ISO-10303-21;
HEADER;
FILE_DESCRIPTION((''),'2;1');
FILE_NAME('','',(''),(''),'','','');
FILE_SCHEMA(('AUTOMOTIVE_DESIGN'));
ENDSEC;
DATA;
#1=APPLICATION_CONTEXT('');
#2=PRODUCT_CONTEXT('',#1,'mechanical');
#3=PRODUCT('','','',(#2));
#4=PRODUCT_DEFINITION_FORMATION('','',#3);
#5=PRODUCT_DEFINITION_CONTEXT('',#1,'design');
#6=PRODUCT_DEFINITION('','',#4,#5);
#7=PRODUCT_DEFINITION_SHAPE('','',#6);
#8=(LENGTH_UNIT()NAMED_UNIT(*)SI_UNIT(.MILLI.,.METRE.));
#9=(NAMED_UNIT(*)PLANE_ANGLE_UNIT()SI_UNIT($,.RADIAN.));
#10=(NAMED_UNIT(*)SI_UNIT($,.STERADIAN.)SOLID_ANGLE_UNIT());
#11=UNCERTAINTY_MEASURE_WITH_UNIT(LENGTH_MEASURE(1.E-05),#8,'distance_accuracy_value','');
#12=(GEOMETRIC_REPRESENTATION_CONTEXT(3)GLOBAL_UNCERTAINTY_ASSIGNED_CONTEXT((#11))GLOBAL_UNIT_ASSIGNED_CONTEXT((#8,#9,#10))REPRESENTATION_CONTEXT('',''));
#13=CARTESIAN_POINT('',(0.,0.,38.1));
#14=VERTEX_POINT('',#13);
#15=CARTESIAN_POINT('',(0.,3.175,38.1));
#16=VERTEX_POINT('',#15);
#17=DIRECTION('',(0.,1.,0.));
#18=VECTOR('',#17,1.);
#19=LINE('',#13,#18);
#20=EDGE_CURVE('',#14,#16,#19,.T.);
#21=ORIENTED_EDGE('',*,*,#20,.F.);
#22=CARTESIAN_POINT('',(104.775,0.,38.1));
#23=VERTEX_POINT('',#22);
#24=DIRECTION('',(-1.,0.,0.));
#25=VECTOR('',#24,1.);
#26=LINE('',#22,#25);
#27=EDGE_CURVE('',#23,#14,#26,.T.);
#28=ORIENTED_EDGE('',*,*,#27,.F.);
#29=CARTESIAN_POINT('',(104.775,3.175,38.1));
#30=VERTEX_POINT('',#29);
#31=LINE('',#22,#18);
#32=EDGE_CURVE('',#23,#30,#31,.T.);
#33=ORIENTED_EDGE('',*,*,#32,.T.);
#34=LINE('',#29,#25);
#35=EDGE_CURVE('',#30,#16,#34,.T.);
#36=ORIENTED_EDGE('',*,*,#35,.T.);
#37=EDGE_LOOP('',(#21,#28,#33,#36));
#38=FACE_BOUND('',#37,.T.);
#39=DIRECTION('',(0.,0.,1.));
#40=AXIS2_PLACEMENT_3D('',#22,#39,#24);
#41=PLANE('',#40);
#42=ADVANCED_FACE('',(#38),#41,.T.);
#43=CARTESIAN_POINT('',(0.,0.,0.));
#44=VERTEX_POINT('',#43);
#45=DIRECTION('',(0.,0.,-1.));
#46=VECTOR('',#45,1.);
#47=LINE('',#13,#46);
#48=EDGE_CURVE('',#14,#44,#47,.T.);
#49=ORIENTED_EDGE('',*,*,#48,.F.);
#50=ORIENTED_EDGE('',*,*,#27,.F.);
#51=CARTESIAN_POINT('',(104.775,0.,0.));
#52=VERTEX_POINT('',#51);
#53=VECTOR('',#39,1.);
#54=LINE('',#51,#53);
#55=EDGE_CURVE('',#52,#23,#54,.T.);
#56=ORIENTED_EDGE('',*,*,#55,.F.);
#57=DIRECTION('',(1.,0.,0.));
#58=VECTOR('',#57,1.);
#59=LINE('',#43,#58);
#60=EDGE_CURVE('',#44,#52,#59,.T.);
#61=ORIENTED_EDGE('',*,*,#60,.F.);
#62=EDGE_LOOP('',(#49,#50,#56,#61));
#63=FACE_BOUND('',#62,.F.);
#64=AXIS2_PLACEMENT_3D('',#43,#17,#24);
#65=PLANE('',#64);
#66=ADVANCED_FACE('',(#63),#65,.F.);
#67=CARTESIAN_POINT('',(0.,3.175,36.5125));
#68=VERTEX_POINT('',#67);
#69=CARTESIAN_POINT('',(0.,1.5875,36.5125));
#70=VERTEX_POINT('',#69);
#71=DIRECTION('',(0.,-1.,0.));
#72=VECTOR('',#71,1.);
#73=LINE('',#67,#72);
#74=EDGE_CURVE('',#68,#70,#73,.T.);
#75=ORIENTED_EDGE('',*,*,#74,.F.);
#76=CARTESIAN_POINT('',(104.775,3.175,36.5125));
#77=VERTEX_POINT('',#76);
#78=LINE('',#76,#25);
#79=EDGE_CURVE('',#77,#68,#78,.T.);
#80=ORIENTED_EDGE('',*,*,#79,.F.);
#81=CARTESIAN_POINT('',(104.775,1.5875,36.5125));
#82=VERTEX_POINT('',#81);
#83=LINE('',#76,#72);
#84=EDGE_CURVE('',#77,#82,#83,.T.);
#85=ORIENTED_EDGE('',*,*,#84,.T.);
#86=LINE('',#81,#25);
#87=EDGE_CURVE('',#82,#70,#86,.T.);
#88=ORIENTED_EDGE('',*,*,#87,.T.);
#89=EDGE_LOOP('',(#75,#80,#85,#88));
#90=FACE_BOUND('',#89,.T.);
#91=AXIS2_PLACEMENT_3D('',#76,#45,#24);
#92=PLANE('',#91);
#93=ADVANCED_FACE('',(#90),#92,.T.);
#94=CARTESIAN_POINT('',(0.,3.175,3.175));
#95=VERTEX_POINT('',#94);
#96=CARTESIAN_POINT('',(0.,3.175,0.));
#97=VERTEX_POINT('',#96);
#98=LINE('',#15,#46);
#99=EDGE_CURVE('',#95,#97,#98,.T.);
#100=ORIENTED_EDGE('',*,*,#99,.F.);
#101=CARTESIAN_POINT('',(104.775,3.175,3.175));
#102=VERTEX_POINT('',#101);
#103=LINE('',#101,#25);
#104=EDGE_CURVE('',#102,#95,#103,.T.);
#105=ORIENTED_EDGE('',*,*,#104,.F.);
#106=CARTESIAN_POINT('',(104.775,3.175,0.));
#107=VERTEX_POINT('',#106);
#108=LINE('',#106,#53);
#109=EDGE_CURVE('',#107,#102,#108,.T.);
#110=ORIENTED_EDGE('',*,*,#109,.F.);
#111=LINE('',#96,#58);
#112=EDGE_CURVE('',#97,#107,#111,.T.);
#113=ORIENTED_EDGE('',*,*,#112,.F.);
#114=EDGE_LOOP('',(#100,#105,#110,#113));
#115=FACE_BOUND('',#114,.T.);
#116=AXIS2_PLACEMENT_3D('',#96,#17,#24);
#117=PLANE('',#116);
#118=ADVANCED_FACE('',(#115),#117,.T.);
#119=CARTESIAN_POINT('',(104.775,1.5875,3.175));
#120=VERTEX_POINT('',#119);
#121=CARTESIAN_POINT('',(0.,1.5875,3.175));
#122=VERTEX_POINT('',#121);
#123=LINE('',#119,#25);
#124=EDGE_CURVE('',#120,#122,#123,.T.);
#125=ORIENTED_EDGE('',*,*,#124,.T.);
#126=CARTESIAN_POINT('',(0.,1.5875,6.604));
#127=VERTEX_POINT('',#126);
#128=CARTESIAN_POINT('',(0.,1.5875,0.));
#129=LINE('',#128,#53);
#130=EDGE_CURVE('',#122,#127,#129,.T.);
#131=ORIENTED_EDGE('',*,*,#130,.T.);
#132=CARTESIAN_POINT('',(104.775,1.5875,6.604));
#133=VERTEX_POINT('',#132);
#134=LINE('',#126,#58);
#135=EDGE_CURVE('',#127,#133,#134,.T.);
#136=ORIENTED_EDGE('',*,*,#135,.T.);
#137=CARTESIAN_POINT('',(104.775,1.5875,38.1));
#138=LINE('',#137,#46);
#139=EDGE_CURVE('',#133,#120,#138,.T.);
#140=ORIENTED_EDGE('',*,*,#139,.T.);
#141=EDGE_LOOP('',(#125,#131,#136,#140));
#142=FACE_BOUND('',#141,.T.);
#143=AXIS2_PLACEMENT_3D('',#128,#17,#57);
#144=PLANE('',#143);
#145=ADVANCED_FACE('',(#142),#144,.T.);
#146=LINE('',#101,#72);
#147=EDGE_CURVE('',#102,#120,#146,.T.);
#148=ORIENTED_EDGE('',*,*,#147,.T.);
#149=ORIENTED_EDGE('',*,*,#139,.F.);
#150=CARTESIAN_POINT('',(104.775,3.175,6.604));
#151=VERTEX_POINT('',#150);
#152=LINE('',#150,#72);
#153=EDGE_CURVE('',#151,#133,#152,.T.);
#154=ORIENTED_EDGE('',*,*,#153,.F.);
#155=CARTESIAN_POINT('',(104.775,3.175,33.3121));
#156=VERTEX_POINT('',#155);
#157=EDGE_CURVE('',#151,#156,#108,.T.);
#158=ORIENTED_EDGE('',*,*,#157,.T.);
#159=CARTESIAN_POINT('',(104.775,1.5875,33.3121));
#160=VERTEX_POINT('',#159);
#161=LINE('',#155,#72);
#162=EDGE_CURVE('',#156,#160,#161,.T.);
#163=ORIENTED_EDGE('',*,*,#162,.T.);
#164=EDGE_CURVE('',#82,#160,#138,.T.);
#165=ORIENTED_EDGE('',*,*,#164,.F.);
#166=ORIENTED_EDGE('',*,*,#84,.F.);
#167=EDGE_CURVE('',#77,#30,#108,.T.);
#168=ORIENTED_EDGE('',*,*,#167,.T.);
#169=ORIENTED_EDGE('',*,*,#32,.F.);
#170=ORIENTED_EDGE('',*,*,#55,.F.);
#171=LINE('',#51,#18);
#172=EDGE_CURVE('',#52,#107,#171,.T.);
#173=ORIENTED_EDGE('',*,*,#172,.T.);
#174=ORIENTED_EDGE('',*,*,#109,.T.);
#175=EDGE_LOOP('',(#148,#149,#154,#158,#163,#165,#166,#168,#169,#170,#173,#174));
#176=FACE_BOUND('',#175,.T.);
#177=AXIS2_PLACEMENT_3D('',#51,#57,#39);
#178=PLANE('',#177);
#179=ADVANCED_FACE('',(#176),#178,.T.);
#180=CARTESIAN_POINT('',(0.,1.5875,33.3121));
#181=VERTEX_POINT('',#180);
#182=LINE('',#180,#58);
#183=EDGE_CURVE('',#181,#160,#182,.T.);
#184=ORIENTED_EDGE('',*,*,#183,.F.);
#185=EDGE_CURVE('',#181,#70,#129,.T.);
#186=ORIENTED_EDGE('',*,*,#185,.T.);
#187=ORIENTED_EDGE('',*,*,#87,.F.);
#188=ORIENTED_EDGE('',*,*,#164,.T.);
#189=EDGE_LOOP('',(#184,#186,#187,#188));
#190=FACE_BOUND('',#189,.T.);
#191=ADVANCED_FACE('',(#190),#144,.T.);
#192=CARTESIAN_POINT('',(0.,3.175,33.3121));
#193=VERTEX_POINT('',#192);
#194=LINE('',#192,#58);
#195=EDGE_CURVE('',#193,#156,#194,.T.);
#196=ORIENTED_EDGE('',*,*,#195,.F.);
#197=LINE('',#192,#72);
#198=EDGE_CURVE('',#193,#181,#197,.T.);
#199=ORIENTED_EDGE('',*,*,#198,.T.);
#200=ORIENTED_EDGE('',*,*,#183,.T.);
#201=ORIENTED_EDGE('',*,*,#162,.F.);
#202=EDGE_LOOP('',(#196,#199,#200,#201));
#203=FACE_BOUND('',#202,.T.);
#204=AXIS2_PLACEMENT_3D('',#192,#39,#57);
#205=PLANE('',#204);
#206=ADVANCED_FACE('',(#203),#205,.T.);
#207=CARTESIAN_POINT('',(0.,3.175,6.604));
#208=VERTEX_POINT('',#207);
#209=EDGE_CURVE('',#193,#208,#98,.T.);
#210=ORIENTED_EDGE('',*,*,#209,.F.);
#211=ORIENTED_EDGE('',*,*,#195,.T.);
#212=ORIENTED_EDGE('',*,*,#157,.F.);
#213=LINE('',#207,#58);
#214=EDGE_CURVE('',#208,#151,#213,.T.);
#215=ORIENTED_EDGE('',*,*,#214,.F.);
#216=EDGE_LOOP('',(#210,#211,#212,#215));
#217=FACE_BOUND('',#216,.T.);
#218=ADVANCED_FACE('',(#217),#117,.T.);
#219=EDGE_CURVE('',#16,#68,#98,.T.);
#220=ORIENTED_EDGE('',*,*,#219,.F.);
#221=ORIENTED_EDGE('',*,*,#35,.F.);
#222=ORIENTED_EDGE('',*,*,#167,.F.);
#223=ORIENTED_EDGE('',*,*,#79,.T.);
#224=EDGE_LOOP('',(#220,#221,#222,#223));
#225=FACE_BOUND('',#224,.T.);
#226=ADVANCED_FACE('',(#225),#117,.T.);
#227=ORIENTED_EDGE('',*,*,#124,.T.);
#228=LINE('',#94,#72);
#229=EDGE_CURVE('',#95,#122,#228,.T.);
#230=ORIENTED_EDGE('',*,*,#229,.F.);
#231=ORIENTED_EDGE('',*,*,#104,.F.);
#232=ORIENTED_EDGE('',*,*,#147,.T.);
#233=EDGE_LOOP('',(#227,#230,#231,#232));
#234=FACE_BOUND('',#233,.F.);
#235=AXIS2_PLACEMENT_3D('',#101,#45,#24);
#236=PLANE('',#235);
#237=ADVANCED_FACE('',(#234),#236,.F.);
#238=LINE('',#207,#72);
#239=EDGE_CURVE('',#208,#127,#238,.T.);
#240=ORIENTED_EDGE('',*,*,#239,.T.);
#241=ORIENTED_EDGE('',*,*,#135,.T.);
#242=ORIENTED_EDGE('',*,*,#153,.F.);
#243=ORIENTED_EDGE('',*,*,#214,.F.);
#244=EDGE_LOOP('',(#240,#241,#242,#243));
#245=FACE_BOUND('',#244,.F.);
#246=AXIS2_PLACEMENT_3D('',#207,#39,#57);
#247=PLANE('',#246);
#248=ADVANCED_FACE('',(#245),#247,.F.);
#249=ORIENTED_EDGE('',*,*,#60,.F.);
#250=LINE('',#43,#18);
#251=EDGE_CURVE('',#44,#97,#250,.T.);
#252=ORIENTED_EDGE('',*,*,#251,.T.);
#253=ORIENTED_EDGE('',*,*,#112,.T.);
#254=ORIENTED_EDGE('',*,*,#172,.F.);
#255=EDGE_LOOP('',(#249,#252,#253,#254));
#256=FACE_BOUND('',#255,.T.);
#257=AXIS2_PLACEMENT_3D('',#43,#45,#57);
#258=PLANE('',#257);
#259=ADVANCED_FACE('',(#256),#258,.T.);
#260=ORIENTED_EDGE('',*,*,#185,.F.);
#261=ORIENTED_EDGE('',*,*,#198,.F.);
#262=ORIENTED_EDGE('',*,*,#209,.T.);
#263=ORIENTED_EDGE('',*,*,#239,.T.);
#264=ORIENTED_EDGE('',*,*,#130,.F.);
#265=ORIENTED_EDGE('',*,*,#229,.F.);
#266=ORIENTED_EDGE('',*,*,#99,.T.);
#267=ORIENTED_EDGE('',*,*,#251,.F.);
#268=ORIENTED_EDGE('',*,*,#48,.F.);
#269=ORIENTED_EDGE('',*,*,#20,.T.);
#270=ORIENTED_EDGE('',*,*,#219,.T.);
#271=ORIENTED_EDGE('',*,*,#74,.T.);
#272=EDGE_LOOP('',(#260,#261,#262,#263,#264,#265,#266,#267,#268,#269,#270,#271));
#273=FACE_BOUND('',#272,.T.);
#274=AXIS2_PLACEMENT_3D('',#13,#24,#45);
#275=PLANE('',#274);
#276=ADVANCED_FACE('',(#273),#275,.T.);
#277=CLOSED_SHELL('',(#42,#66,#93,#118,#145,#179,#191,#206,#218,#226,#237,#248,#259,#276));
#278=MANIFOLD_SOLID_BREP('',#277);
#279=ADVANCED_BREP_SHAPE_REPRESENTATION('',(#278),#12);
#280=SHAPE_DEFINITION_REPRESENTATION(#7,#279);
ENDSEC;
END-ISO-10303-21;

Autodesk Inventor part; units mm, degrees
ref_plane "YZ Plane" through (0, 0, 0) normal (1, 0, 0) x (0, 1, 0)
ref_plane "XZ Plane" through (0, 0, 0) normal (0, 1, 0) x (-1, 0, 0)
ref_plane "XY Plane" through (0, 0, 0) normal (0, 0, 1) x (1, 0, 0)
sketch "Sketch1" plane through (0, 0, 0) normal (0, 1, 0) x (-1, 0, 0)
  line L0 (0, 0) -> (-104.775, 0)
  line L1 (-104.775, 0) -> (-104.775, 38.1)
  line L2 (-104.775, 38.1) -> (0, 38.1)
  line L3 (0, 38.1) -> (0, 0)
  dimension "d0" = 104.775
  dimension "d1" = 38.1
extrude "Extrusion1" add sketch "Sketch1" along normal blind 3.175
sketch "Sketch2" plane through (0, 3.175, 0) normal (0, 1, 0) x (1, 0, 0)
  line L0 (0, 0) -> (0, -38.1) projected
  line L1 (104.775, -38.1) -> (104.775, 0) projected
  line L2 (0, -33.3121) -> (104.775, -33.3121)
  line L3 (104.775, -33.3121) -> (104.775, -36.5125)
  line L4 (104.775, -36.5125) -> (0, -36.5125)
  line L5 (0, -36.5125) -> (0, -33.3121)
  line L6 (0, -38.1) -> (104.775, -38.1) projected
  line L7 (104.775, 0) -> (0, 0) projected
  line L8 (104.775, -3.175) -> (0, -3.175)
  line L9 (0, -3.175) -> (0, -6.604)
  line L10 (0, -6.604) -> (104.775, -6.604)
  line L11 (104.775, -6.604) -> (104.775, -3.175)
  dimension "d4" = 3.2004
  dimension "d8" = 1.5875
  dimension "d13" = 3.175
  dimension "d14" = 3.429
extrude "Extrusion2" cut sketch "Sketch2" against normal blind 1.5875 contours L8 L1 L10 L0 | L2 L1 L4 L0
properties part number "Electronics Container Part 2"
